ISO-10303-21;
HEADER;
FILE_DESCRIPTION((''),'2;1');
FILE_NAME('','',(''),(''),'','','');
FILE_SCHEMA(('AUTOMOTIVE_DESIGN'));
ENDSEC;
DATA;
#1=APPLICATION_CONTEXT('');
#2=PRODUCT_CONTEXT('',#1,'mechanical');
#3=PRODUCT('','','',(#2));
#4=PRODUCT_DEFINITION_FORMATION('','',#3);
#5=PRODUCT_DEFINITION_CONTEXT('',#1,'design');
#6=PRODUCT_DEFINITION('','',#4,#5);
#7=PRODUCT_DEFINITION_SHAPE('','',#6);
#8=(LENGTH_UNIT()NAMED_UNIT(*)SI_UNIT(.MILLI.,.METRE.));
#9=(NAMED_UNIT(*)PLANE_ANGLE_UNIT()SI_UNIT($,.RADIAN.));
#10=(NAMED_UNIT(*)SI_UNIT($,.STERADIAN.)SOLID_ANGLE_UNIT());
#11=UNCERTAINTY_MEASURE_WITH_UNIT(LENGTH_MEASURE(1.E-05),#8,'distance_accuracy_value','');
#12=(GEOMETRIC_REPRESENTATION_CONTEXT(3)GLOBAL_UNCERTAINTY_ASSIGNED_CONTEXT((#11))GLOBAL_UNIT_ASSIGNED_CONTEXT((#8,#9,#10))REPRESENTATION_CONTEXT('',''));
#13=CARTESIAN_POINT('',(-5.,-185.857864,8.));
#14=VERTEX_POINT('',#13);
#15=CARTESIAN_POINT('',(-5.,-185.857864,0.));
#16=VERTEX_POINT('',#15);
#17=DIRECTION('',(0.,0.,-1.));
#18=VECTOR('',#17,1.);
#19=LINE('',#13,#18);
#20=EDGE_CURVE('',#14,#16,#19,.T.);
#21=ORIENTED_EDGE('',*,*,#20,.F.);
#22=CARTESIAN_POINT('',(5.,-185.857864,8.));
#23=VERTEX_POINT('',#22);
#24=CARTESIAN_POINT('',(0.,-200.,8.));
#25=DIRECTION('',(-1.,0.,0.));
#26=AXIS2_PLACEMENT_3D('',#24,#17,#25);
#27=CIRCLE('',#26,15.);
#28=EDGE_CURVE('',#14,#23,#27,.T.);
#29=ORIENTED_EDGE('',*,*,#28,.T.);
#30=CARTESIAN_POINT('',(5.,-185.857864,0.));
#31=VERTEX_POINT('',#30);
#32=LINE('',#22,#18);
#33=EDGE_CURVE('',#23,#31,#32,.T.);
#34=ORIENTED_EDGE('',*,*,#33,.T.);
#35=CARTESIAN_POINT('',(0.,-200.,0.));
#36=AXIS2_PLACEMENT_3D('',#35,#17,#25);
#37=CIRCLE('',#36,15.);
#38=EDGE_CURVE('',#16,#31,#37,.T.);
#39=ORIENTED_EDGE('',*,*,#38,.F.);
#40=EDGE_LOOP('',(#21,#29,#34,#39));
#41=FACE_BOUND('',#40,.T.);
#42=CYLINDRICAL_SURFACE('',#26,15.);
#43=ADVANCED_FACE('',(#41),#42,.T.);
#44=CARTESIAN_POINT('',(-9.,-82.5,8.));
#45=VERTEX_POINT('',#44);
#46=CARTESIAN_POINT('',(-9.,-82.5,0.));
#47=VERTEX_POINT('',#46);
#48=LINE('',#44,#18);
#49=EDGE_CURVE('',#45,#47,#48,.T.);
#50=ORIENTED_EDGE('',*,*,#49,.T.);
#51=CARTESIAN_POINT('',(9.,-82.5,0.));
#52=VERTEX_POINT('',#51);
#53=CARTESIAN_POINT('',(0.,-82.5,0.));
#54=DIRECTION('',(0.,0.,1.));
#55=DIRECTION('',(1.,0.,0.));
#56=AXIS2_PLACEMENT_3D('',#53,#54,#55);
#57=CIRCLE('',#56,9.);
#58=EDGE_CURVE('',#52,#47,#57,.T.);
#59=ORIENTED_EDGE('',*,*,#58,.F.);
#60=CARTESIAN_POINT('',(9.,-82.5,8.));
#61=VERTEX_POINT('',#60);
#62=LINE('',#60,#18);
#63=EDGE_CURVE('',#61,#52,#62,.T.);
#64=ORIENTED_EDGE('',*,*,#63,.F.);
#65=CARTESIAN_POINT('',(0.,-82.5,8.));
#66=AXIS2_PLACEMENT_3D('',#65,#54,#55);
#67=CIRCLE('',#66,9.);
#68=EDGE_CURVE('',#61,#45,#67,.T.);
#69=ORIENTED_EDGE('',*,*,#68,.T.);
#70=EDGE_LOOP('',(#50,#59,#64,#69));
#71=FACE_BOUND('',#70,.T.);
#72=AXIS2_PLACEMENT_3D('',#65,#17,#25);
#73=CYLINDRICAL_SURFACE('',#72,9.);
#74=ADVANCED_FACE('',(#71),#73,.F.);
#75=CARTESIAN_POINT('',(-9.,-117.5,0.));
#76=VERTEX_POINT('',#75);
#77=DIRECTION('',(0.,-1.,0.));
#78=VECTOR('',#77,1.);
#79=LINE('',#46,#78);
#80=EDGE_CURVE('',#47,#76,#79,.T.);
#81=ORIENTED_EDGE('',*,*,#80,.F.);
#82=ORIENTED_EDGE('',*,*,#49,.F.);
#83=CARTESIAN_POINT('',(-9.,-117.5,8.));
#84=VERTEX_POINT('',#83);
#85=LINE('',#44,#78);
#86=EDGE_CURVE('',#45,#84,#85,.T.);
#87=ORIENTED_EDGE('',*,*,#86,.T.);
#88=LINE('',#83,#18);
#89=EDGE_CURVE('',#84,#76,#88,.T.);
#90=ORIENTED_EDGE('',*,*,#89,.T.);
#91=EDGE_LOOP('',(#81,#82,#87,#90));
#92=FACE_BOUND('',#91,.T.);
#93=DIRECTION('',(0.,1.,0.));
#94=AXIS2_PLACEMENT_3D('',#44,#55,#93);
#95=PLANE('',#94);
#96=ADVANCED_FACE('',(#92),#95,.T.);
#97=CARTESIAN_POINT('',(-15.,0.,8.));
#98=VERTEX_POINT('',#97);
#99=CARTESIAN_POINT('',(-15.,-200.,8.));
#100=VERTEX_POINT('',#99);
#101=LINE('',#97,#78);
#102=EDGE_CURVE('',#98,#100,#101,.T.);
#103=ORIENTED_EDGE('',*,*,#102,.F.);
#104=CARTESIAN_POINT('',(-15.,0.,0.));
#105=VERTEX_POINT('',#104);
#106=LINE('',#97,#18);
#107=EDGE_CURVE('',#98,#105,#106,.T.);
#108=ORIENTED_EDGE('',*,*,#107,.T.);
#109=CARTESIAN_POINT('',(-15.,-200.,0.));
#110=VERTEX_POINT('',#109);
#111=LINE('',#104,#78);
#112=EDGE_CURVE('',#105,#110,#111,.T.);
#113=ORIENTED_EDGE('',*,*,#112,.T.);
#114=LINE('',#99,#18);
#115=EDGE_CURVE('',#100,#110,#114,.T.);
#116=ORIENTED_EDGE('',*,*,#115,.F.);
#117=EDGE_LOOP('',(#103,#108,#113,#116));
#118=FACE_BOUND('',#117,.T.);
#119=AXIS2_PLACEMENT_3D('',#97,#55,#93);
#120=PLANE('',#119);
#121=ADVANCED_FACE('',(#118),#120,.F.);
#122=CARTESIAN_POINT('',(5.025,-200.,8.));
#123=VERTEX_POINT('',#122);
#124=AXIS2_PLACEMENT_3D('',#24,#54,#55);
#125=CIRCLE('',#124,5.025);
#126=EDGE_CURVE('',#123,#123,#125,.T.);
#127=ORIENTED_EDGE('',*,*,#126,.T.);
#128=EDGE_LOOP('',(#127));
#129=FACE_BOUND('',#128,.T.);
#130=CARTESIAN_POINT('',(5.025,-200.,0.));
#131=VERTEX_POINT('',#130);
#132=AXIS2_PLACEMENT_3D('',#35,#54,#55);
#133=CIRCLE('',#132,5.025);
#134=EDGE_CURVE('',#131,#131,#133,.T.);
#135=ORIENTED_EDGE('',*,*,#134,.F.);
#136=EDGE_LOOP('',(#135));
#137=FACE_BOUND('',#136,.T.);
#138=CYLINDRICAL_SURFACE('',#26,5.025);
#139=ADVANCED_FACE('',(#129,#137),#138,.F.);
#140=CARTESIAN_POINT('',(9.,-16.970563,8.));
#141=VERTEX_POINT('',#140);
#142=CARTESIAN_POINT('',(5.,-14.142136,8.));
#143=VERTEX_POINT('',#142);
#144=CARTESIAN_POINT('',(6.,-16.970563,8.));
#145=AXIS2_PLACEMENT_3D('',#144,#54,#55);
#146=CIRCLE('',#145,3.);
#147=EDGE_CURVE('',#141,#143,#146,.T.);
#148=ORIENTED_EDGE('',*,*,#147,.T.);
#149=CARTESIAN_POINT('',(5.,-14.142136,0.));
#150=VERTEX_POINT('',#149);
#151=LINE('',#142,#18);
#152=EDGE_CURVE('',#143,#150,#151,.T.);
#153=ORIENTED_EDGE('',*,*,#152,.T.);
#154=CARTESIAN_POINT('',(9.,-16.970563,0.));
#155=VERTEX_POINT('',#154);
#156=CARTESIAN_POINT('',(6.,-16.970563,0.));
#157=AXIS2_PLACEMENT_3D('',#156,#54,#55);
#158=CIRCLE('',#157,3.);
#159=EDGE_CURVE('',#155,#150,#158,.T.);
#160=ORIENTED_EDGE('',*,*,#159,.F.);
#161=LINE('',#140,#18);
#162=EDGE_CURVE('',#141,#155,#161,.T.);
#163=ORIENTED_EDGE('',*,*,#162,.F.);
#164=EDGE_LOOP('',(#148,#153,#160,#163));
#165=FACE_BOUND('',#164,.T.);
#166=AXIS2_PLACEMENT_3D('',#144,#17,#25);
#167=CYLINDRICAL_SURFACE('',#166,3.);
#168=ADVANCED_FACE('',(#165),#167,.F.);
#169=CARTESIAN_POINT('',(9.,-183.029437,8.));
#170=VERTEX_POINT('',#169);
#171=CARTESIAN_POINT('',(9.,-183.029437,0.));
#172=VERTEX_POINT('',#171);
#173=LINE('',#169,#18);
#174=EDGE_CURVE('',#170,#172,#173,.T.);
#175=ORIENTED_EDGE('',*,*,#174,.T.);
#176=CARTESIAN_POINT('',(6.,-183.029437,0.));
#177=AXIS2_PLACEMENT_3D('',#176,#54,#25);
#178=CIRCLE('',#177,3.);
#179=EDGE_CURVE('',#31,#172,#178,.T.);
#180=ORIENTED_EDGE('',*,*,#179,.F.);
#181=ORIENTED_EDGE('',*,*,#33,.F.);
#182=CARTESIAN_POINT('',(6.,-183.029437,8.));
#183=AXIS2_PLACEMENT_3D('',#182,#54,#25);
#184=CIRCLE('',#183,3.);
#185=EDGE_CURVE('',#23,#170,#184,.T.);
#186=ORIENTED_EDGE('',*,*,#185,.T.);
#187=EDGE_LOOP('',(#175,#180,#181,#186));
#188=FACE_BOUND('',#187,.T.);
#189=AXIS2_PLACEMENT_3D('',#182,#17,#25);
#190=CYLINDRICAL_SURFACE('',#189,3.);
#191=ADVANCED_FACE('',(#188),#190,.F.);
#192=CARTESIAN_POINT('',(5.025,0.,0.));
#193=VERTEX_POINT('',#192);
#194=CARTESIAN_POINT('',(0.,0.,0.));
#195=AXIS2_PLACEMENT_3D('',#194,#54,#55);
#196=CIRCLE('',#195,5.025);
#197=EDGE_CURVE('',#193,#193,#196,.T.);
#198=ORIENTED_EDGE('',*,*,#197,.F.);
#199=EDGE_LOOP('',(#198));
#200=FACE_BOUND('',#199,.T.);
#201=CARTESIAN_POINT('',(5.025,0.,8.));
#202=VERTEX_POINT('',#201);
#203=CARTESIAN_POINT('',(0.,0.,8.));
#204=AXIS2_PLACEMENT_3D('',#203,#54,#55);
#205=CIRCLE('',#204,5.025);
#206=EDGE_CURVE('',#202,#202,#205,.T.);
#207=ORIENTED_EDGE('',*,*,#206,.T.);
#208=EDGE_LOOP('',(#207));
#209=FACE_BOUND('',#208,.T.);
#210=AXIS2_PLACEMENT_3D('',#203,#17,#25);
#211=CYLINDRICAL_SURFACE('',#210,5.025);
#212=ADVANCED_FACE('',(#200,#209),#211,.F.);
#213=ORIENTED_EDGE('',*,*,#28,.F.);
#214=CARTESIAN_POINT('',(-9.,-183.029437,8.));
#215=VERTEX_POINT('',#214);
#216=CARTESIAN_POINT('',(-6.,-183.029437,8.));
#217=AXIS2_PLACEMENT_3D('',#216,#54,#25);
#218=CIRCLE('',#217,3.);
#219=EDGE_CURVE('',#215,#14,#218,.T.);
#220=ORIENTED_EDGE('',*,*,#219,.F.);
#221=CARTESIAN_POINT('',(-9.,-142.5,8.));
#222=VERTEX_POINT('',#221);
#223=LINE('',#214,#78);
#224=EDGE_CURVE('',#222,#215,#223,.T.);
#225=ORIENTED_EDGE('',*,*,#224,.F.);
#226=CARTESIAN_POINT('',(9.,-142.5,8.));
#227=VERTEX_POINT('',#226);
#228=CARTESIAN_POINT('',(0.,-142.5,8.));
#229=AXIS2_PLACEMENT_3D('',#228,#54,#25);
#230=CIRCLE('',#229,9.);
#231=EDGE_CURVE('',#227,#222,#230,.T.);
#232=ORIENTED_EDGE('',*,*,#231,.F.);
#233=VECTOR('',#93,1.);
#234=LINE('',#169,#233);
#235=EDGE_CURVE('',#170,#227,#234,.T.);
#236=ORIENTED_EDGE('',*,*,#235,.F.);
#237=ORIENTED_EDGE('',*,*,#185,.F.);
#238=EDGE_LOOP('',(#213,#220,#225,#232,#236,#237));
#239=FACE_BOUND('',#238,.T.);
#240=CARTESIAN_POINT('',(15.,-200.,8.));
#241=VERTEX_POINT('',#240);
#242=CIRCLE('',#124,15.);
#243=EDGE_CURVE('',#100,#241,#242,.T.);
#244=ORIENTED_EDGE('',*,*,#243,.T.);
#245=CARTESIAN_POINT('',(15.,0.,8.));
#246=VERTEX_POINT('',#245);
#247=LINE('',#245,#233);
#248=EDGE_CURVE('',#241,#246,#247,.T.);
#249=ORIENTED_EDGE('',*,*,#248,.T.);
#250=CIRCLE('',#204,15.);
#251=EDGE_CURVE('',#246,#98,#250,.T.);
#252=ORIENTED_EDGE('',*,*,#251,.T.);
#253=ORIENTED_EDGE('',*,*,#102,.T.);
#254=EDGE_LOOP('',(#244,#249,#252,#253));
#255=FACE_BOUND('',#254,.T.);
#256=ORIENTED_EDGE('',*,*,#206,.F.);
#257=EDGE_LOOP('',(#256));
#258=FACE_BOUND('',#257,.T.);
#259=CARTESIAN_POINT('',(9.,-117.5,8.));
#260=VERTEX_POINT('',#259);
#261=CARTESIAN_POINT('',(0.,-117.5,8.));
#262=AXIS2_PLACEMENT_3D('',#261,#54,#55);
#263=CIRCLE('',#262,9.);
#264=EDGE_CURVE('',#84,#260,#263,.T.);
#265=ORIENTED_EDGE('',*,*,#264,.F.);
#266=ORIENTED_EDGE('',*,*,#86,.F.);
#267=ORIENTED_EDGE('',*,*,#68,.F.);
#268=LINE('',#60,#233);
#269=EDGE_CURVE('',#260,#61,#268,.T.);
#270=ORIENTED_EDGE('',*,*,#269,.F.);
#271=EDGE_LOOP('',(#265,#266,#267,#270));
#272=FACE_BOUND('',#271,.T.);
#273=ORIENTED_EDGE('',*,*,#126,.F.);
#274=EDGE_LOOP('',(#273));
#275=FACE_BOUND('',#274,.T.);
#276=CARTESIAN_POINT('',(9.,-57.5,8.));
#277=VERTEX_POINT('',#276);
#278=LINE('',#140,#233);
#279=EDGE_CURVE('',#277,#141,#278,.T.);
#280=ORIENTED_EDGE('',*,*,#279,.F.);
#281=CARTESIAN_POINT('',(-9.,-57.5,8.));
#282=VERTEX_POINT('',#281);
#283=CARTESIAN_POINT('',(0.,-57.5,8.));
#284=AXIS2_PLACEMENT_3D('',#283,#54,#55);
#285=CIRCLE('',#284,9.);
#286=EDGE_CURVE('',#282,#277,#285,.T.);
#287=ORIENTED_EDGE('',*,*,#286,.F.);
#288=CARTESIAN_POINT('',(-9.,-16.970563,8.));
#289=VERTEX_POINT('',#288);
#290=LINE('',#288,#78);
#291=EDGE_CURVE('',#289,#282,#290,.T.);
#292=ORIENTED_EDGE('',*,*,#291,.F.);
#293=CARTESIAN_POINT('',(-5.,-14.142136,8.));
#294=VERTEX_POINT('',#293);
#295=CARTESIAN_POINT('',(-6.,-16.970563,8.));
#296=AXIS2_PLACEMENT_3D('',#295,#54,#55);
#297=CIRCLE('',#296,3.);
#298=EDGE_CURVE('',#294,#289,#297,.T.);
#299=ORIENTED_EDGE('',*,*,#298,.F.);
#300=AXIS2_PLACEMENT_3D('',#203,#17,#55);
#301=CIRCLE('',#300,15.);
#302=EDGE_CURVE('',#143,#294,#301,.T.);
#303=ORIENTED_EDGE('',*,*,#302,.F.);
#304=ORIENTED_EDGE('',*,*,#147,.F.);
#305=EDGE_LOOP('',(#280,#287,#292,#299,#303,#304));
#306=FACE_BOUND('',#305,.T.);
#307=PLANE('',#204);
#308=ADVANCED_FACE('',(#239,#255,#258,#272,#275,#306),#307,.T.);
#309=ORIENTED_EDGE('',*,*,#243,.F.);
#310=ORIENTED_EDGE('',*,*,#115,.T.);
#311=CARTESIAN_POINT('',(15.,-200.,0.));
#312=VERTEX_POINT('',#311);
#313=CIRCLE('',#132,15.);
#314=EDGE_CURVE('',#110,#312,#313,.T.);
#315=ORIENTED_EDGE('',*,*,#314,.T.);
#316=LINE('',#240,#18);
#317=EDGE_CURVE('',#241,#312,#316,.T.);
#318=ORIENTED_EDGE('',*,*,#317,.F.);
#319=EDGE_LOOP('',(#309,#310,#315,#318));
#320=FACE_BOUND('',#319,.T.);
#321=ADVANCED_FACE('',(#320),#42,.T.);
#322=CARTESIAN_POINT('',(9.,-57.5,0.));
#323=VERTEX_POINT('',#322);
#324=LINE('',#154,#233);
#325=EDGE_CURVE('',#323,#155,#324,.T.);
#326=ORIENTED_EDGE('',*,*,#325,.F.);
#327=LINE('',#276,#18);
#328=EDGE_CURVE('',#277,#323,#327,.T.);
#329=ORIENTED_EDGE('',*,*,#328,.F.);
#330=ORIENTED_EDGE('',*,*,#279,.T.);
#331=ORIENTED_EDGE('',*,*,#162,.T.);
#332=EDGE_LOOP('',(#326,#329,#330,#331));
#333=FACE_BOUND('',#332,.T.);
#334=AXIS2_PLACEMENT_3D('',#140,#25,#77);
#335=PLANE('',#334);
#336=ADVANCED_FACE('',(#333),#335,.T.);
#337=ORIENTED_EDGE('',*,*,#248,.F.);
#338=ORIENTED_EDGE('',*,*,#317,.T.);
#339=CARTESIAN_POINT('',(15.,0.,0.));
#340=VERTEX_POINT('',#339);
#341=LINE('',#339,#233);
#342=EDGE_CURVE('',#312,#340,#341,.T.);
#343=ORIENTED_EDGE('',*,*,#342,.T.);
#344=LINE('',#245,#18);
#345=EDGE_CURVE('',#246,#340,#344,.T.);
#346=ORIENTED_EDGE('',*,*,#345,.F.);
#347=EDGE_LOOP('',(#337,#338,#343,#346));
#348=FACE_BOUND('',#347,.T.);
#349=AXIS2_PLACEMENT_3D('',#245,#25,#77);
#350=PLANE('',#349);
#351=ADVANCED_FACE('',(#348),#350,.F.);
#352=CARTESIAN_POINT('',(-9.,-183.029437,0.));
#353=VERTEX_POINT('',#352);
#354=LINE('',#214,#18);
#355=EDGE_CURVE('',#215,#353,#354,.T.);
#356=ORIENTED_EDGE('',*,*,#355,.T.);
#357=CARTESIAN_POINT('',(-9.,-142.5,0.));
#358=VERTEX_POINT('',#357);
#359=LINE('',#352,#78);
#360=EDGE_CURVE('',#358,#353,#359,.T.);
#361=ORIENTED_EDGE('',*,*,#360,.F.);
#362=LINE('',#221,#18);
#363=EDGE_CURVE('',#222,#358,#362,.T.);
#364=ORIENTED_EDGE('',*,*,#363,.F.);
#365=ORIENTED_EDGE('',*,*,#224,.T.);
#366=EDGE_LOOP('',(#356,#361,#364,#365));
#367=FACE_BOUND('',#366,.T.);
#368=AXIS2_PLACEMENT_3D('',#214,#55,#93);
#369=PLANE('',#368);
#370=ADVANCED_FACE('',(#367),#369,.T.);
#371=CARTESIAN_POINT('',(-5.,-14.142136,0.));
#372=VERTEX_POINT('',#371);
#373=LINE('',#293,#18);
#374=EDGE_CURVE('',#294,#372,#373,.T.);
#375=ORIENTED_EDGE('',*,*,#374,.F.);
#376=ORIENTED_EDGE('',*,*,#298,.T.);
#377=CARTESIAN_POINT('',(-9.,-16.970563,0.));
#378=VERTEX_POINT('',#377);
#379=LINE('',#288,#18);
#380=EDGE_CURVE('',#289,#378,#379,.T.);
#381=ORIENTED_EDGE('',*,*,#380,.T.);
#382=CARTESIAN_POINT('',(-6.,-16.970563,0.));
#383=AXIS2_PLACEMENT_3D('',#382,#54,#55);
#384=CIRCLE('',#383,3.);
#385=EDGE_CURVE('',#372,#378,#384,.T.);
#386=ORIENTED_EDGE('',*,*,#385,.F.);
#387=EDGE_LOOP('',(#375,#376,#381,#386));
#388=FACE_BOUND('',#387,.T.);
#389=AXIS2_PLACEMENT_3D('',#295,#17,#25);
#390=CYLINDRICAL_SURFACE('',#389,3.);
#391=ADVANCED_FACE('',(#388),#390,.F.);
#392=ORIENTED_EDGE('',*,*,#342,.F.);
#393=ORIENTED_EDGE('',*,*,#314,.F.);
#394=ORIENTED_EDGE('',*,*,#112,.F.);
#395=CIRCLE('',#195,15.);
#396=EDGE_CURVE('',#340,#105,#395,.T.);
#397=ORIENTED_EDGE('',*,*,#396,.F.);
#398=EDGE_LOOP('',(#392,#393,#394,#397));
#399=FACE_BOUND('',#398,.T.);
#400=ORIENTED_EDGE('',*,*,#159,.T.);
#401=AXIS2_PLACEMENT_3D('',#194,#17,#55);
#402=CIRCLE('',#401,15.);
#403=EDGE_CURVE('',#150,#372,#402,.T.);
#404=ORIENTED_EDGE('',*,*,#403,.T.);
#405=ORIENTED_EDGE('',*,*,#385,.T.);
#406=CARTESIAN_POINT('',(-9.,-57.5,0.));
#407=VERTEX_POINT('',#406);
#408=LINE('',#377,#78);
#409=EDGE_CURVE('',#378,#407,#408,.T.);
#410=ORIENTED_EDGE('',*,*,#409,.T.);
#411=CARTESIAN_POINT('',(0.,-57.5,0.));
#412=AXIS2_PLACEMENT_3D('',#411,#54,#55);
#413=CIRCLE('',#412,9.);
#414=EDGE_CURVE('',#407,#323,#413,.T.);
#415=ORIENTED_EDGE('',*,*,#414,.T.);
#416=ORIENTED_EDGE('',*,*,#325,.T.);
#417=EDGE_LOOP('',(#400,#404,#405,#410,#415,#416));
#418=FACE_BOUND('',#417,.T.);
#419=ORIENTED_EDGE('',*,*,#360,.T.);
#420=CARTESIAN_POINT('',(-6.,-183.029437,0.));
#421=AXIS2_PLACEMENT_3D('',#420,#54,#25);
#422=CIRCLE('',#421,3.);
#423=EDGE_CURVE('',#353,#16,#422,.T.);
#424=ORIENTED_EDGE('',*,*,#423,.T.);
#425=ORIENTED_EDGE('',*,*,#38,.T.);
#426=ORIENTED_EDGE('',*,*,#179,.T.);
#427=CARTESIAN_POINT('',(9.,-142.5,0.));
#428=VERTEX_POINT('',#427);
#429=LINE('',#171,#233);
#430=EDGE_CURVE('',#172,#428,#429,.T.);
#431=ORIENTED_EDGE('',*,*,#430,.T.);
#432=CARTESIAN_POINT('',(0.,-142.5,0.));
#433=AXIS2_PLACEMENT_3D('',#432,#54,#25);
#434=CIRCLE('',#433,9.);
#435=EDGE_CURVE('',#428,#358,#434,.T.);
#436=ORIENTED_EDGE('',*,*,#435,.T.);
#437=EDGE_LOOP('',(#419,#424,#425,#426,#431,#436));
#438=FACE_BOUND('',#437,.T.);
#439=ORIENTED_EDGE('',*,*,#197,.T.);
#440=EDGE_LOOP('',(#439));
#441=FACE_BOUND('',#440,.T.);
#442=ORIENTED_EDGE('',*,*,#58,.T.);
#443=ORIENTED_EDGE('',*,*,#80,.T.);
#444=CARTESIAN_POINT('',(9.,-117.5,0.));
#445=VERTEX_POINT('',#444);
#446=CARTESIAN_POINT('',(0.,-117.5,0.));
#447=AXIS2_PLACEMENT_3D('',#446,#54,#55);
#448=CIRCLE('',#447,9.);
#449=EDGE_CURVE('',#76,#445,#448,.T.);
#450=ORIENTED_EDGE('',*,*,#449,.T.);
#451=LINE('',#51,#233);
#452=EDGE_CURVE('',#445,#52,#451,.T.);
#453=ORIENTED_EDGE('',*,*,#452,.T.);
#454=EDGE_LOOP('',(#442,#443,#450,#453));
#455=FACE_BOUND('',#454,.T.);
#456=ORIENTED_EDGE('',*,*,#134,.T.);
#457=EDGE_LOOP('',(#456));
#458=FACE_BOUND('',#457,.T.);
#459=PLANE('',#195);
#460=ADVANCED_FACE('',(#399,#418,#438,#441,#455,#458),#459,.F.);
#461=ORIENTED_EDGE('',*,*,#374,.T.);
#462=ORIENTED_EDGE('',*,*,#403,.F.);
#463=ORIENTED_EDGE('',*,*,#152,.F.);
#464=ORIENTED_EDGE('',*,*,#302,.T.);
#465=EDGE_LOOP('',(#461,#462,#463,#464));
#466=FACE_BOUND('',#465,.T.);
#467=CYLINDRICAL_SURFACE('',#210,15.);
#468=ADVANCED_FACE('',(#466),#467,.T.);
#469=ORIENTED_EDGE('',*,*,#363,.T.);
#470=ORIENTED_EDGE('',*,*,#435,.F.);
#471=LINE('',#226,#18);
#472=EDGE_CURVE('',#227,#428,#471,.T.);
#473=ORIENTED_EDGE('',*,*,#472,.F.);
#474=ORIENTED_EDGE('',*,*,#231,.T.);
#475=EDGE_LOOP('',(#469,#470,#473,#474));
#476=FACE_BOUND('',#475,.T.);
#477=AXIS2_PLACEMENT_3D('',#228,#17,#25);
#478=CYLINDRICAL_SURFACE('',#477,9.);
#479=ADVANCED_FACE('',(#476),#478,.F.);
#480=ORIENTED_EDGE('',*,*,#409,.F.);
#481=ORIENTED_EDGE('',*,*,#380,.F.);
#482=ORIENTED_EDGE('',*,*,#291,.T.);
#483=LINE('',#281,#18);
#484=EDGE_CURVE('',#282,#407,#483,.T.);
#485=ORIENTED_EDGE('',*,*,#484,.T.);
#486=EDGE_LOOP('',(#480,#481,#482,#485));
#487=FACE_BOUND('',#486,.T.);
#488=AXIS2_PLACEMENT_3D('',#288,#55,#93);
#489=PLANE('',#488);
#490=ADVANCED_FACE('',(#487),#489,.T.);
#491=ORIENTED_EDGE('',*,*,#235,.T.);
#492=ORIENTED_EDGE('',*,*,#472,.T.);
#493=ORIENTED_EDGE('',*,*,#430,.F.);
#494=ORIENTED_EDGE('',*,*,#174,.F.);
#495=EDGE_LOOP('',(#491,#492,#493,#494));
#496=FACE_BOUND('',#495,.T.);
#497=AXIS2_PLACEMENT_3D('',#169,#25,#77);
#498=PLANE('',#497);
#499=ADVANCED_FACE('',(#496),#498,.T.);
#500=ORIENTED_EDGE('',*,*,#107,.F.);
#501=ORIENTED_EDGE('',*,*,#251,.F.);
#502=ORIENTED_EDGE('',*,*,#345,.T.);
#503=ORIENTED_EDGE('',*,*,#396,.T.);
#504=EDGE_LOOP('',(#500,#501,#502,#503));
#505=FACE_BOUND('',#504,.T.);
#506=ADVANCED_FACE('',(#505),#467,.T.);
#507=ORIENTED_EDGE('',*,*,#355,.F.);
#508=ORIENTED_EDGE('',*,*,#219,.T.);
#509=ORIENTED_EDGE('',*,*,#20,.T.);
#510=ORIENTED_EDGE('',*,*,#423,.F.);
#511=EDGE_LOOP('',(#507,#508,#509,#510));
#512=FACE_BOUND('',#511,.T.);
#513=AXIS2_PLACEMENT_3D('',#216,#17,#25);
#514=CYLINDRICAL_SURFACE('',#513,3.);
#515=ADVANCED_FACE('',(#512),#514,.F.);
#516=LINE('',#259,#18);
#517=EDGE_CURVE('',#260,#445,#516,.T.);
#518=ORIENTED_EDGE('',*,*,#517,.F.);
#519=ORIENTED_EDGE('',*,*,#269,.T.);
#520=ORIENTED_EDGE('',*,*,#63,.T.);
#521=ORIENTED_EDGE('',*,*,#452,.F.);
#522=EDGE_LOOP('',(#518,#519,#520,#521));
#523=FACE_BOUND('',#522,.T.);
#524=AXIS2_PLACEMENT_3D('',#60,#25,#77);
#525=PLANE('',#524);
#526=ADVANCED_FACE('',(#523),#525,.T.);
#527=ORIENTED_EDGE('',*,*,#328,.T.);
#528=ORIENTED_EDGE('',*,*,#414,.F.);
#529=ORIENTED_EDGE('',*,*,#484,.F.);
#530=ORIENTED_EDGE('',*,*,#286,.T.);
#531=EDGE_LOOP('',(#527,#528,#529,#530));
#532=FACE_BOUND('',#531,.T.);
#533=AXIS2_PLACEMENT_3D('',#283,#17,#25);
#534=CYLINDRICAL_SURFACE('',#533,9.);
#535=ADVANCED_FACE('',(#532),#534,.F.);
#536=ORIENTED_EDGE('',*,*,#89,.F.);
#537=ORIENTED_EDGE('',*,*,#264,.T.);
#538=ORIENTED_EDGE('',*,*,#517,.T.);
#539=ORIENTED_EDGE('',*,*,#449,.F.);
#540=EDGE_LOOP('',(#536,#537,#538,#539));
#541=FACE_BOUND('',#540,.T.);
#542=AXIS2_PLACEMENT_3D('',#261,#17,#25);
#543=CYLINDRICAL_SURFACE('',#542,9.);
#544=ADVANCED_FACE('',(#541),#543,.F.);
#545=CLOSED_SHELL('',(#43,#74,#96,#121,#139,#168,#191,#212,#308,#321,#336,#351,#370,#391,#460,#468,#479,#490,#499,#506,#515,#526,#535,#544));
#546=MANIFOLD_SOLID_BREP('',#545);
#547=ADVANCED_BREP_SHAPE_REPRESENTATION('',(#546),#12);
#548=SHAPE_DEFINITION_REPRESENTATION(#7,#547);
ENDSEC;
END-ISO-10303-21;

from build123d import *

# Parameters (mm, degrees)
SKETCH_1_R      = 5.025
EXTRUDE_1_DEPTH = 8


with BuildPart() as part:
    # 草图1 → 凸台-拉伸1 (new body)
    with BuildSketch(Plane.XY):
        with BuildLine():
            Line((-15, 0), (-15, -200))
            ThreePointArc((-15, -200), (0, -215), (15, -200))
            Line((15, -200), (15, 0))
            ThreePointArc((15, 0), (0, 15), (-15, 0))
        make_face()
        Circle(SKETCH_1_R, mode=Mode.SUBTRACT)
        with Locations((0, -200)):
            Circle(SKETCH_1_R, mode=Mode.SUBTRACT)
        with BuildLine():
            Line((-9, -16.970562748), (-9, -57.5))
            ThreePointArc((-9, -57.5), (0, -66.5), (9, -57.5))
            Line((9, -57.5), (9, -16.970562748))
            ThreePointArc((9, -16.970562748), (7.732050808, -14.521073006), (5, -14.142135624))
            ThreePointArc((5, -14.142135624), (0, -15), (-5, -14.142135624))
            ThreePointArc((-5, -14.142135624), (-7.732050808, -14.521073006), (-9, -16.970562748))
        make_face(mode=Mode.SUBTRACT)
        with BuildLine():
            Line((9, -82.5), (9, -117.5))
            ThreePointArc((9, -117.5), (0, -126.5), (-9, -117.5))
            Line((-9, -117.5), (-9, -82.5))
            ThreePointArc((-9, -82.5), (0, -73.5), (9, -82.5))
        make_face(mode=Mode.SUBTRACT)
        with BuildLine():
            Line((-9, -183.029437252), (-9, -142.5))
            ThreePointArc((-9, -142.5), (0, -133.5), (9, -142.5))
            Line((9, -142.5), (9, -183.029437252))
            ThreePointArc((9, -183.029437252), (7.732050808, -185.478926994), (5, -185.857864376))
            ThreePointArc((5, -185.857864376), (0, -185), (-5, -185.857864376))
            ThreePointArc((-5, -185.857864376), (-7.732050808, -185.478926994), (-9, -183.029437252))
        make_face(mode=Mode.SUBTRACT)
    extrude(amount=EXTRUDE_1_DEPTH)


solid = part.part
